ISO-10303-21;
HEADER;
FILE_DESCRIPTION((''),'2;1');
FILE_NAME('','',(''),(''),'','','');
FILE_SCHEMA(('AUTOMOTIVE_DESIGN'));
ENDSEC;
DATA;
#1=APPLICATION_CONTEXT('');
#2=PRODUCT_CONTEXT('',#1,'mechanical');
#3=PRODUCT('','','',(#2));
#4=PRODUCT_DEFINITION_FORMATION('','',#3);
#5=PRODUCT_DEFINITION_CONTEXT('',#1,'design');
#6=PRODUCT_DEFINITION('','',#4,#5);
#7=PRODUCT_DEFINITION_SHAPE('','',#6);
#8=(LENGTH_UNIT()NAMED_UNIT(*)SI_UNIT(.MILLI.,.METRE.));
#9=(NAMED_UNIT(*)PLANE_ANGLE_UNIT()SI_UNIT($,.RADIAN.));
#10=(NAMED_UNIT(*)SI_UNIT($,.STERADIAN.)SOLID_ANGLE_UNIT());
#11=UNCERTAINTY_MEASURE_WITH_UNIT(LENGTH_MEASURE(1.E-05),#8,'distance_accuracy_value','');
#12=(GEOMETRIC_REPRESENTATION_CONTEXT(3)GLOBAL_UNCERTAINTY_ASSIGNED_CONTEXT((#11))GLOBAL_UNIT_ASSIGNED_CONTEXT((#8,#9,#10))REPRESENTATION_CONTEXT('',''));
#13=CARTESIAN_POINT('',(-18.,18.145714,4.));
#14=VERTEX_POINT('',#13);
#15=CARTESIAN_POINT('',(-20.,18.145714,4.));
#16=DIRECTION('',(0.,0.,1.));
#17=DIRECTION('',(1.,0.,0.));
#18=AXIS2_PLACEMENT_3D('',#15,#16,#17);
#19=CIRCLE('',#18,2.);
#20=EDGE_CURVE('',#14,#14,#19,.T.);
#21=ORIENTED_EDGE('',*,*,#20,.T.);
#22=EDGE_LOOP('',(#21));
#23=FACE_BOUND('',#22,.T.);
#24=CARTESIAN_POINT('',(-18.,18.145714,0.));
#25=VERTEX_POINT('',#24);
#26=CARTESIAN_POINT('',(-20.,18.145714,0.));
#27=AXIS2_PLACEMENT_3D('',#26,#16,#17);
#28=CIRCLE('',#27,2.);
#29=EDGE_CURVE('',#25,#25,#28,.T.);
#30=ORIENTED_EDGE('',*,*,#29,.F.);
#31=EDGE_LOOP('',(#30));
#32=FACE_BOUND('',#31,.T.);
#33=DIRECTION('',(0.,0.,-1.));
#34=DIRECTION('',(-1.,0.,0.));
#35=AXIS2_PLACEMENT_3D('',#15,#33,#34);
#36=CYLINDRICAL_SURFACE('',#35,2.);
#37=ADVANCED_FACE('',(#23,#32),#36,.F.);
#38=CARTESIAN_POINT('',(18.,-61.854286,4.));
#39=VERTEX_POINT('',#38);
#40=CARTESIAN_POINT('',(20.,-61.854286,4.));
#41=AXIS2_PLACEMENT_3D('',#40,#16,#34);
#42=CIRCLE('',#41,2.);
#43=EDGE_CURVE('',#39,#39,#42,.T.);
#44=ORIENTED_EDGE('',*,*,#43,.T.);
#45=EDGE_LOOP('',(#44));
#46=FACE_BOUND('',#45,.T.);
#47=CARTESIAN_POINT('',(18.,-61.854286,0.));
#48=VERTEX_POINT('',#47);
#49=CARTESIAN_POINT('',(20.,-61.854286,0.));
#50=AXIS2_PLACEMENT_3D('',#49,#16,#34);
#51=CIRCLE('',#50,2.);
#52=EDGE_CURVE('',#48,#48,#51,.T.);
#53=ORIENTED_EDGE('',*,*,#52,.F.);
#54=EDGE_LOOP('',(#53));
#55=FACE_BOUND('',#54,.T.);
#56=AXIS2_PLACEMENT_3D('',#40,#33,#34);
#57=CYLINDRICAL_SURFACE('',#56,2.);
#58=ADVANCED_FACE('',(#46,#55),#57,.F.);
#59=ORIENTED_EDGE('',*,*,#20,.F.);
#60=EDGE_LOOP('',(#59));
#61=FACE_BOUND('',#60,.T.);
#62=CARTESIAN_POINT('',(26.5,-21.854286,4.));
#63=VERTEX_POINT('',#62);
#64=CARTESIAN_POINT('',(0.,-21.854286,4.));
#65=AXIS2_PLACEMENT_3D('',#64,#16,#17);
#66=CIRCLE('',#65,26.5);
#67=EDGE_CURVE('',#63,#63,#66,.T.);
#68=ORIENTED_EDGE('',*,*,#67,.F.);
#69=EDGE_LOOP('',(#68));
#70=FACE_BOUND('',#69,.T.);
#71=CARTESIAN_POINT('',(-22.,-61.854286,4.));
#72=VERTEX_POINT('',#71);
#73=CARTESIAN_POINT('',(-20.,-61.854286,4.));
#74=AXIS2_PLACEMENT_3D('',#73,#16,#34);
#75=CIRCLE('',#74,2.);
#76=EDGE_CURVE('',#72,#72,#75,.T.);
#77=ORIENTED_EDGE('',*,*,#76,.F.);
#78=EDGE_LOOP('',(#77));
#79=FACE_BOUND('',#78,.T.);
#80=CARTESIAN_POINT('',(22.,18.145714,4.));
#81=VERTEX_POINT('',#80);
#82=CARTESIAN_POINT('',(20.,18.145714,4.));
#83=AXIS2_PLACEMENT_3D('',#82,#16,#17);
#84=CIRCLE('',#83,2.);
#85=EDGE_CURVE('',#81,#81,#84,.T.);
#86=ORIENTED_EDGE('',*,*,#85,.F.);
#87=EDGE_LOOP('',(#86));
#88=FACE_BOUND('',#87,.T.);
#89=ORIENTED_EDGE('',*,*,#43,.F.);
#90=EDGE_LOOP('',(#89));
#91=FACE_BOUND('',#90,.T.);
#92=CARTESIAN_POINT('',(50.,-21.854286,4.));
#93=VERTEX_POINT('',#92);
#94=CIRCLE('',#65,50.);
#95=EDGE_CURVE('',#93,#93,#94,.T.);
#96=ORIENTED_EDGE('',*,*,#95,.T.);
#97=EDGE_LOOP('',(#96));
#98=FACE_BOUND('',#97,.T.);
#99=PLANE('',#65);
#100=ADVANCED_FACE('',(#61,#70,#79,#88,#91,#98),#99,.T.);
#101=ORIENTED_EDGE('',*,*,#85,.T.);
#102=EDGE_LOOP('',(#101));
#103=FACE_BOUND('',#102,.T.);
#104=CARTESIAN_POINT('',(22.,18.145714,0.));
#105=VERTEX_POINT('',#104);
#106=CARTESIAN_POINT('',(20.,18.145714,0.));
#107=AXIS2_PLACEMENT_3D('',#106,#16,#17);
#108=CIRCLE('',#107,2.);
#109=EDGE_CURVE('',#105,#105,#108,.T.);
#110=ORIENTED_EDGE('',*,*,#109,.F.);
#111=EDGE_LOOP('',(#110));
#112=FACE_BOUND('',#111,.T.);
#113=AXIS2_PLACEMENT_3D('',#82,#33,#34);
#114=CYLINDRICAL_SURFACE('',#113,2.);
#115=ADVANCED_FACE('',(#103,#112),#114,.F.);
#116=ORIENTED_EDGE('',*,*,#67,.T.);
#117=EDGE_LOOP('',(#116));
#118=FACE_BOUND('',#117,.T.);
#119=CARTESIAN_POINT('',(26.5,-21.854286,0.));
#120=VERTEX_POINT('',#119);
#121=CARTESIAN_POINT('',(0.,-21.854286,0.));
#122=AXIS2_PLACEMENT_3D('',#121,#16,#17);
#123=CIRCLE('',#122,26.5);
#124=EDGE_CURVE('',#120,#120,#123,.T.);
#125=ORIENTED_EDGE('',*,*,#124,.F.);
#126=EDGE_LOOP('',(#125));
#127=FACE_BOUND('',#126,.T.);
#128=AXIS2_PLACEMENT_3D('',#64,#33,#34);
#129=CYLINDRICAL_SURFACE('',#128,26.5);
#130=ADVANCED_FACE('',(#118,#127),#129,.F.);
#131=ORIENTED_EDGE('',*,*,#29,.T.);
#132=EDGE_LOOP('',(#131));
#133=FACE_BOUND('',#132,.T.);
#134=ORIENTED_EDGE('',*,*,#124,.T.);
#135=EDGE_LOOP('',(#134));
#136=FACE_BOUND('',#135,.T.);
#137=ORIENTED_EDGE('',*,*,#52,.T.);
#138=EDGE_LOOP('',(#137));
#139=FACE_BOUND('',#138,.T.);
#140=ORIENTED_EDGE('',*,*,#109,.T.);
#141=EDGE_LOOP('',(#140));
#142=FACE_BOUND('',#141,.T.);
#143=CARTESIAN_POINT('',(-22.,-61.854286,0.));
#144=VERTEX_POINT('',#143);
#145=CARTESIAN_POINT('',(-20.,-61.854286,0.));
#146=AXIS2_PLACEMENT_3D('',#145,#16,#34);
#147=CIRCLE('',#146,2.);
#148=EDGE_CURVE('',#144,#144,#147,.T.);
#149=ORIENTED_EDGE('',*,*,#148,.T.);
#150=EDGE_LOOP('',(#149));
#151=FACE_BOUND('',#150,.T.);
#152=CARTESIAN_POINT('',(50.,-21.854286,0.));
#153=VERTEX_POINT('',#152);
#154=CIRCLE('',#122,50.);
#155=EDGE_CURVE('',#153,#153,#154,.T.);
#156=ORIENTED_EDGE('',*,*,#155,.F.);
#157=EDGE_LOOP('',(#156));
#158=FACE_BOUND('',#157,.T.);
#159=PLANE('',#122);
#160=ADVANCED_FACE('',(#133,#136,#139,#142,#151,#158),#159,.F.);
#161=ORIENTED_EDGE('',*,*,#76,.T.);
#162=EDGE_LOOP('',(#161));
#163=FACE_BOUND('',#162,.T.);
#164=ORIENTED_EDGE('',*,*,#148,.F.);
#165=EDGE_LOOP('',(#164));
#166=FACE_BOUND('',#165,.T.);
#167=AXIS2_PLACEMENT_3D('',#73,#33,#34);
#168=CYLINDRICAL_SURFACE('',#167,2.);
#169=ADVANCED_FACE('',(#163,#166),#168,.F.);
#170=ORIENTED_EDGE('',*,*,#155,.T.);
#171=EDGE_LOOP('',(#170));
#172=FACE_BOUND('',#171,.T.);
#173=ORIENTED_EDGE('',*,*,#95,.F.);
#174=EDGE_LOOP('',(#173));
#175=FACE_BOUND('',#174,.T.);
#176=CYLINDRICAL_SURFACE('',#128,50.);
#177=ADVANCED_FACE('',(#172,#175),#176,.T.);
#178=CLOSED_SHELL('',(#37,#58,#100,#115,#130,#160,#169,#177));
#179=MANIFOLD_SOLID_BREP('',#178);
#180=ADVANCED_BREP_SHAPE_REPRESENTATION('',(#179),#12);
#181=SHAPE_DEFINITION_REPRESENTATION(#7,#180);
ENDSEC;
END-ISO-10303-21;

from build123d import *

# Parameters (mm, degrees)
SKETCH_1_R      = 50
SKETCH_1_R_2    = 2
SKETCH_1_R_3    = 26.5
EXTRUDE_1_DEPTH = 4


with BuildPart() as part:
    # 草图1 → 凸台-拉伸1 (new body)
    with BuildSketch(Plane.XY):
        with Locations((0, -21.854285714)):
            Circle(SKETCH_1_R)
        with Locations((-20, 18.145714286)):
            Circle(SKETCH_1_R_2, mode=Mode.SUBTRACT)
        with Locations((20, 18.145714286)):
            Circle(SKETCH_1_R_2, mode=Mode.SUBTRACT)
        with Locations(Location((20, -61.854285714, 0), (0, 0, 180))):
            Circle(SKETCH_1_R_2, mode=Mode.SUBTRACT)
        with Locations(Location((-20, -61.854285714, 0), (0, 0, 180))):
            Circle(SKETCH_1_R_2, mode=Mode.SUBTRACT)
        with Locations((0, -21.854285714)):
            Circle(SKETCH_1_R_3, mode=Mode.SUBTRACT)
    extrude(amount=EXTRUDE_1_DEPTH)


solid = part.part
